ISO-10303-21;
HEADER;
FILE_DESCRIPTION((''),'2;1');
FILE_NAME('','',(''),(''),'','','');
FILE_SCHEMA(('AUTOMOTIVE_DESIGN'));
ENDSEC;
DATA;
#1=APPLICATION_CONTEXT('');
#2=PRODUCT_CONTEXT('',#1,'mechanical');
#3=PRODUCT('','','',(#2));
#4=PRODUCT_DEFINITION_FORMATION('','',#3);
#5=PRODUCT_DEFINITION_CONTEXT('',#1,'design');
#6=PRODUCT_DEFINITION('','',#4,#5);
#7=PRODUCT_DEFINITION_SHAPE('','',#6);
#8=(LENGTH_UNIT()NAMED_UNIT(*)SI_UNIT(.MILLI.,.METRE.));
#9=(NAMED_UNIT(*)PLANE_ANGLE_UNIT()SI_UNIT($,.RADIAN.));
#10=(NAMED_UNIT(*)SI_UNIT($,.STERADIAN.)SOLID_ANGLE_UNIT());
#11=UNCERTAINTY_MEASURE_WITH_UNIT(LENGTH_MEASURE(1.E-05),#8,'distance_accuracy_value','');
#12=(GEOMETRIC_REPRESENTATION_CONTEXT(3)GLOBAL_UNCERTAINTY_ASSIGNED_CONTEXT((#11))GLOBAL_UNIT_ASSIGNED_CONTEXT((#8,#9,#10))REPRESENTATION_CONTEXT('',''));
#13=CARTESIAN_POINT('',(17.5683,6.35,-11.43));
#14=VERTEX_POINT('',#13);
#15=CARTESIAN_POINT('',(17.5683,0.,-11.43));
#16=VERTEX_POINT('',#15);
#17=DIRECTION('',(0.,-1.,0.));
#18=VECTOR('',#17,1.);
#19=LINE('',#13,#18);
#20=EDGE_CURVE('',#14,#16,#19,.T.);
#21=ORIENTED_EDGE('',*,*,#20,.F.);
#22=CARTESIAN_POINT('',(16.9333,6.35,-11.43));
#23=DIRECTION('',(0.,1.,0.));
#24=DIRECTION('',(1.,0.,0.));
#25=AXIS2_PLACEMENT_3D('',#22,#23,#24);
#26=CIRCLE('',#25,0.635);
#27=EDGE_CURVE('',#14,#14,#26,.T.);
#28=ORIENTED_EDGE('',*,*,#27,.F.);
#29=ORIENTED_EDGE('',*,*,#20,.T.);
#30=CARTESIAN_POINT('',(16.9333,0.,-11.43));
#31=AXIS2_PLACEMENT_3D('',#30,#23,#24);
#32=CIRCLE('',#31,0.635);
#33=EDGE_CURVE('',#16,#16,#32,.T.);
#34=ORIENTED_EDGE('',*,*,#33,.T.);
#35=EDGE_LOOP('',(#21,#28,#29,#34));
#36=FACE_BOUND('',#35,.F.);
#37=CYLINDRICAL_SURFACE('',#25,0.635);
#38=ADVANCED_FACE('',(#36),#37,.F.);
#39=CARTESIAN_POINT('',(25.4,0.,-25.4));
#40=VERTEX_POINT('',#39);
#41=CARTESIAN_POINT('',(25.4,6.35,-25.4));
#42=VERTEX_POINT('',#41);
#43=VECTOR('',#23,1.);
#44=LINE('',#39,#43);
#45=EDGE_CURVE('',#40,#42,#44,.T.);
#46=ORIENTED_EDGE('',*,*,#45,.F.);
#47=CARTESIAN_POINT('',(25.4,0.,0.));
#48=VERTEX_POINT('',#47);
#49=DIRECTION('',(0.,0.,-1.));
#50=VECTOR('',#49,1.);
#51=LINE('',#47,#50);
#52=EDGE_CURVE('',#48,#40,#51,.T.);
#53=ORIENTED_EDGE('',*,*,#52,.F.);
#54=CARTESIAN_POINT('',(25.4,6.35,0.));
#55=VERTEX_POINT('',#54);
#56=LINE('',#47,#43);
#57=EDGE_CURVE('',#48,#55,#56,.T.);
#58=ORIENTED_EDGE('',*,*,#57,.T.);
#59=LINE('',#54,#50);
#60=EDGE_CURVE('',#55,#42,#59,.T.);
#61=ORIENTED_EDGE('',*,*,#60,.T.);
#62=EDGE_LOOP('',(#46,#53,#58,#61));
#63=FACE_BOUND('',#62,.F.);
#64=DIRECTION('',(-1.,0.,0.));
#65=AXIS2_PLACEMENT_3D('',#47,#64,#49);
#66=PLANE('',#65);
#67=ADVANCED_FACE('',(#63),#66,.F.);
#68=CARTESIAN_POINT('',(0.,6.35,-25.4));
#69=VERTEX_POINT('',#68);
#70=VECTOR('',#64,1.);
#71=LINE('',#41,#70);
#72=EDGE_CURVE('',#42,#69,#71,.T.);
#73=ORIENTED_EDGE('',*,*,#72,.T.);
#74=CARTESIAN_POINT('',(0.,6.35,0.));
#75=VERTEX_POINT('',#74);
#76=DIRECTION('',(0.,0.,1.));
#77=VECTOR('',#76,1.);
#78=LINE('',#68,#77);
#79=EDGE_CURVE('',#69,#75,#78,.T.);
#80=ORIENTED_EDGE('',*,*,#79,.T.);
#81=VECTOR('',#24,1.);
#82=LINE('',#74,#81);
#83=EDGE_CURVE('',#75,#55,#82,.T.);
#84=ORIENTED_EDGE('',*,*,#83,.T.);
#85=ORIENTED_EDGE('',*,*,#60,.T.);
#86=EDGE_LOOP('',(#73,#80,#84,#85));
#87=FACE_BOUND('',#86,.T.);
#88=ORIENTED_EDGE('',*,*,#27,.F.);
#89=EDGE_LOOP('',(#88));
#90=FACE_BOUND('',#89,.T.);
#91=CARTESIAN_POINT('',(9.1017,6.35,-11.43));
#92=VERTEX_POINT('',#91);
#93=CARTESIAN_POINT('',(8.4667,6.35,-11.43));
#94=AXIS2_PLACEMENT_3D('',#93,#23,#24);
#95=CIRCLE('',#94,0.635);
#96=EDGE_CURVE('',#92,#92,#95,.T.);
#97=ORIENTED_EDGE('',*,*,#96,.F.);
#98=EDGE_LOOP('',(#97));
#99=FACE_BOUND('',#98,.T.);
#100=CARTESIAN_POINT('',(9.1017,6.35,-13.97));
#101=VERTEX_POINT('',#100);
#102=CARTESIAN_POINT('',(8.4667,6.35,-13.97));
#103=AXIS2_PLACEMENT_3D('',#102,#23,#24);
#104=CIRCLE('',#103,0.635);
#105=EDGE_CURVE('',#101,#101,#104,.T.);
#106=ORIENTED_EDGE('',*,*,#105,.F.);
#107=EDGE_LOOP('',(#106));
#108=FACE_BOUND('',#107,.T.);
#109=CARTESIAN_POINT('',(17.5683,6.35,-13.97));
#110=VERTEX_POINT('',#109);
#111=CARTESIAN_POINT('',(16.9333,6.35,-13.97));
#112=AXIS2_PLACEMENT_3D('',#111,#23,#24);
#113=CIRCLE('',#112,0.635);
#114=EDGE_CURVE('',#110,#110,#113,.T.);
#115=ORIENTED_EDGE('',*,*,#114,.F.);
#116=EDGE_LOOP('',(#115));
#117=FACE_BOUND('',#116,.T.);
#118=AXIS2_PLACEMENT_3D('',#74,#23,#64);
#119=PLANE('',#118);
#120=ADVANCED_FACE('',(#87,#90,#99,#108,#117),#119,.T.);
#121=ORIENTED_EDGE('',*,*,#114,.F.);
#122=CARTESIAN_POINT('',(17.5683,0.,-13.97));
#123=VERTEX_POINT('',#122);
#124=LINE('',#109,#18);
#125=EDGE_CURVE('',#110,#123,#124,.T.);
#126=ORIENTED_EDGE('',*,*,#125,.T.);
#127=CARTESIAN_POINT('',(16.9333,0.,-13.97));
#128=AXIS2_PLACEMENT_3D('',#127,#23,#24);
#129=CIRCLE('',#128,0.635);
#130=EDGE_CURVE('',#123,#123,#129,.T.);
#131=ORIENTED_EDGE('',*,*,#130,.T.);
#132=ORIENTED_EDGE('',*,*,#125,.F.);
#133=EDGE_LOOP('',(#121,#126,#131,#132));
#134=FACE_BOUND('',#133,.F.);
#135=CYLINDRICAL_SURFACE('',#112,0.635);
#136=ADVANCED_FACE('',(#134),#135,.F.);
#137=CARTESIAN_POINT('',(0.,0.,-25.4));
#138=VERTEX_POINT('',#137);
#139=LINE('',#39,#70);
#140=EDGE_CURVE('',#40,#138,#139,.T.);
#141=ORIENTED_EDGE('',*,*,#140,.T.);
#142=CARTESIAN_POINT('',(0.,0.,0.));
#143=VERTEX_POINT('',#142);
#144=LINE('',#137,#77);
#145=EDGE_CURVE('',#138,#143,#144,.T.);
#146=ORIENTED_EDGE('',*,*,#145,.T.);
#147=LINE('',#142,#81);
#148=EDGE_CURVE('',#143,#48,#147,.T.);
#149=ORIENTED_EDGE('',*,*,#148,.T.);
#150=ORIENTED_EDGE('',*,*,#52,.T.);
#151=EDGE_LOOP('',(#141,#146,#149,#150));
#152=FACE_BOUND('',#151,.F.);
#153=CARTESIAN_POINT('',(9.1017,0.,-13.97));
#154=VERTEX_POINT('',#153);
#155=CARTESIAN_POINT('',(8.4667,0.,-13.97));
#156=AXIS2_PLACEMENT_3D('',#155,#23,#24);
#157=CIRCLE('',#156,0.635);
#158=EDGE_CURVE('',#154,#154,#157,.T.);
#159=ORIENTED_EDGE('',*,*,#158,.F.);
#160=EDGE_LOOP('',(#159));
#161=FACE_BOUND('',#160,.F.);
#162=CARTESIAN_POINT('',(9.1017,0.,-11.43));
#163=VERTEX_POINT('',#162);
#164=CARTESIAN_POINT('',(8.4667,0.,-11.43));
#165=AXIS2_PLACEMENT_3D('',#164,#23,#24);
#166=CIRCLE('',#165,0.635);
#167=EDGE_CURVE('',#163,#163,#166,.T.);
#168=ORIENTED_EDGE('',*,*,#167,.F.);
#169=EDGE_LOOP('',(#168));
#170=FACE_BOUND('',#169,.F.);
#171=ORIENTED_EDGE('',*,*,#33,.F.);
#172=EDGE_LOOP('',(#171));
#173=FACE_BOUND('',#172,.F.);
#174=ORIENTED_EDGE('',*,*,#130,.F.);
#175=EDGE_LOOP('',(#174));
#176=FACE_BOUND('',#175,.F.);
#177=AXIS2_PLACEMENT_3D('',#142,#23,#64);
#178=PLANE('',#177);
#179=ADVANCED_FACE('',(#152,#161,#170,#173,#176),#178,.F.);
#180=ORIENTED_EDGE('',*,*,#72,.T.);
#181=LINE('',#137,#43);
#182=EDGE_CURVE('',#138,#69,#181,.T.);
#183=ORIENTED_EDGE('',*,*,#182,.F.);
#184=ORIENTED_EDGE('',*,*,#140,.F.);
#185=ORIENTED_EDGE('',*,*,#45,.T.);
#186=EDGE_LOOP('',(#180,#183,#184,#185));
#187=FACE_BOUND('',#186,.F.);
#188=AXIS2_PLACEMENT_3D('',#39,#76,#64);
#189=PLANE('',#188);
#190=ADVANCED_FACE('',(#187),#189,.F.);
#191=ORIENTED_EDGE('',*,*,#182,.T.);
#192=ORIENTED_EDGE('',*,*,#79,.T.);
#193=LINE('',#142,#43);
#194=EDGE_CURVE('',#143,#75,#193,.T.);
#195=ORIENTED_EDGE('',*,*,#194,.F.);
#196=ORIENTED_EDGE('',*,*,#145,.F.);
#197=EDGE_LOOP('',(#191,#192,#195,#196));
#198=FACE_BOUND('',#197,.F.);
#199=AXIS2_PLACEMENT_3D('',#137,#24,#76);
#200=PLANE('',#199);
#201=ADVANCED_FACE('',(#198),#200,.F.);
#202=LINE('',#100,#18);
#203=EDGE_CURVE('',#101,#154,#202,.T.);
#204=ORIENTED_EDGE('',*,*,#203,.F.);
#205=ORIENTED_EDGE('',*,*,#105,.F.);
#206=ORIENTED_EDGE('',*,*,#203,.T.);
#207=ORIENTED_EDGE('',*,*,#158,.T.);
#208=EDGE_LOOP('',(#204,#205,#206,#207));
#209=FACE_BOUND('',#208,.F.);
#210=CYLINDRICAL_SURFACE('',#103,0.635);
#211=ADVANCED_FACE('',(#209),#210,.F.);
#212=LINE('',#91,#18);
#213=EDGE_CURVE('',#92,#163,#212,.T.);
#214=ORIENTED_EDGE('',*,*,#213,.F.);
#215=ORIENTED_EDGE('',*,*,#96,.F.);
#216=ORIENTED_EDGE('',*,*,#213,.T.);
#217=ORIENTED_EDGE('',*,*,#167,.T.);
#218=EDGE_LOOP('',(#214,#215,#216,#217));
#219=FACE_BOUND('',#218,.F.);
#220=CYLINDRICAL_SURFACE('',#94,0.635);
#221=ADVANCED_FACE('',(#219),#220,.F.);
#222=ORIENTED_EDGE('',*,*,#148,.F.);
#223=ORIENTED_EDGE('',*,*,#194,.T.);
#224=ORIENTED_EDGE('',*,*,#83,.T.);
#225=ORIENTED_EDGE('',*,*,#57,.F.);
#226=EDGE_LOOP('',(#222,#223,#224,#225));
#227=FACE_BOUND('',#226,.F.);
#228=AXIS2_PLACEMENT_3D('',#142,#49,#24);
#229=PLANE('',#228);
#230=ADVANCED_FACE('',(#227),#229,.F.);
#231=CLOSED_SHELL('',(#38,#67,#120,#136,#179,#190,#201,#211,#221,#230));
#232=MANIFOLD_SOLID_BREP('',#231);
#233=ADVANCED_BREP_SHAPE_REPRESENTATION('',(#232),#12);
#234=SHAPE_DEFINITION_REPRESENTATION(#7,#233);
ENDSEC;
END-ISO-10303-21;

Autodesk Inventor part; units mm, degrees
ref_plane "YZ Plane" through (0, 0, 0) normal (1, 0, 0) x (0, 1, 0)
ref_plane "XZ Plane" through (0, 0, 0) normal (0, 1, 0) x (-1, 0, 0)
ref_plane "XY Plane" through (0, 0, 0) normal (0, 0, 1) x (1, 0, 0)
sketch "Sketch1" plane through (0, 0, 0) normal (0, 1, 0) x (-1, 0, 0)
  line L0 (0, 0) -> (-25.4, 0)
  line L1 (-25.4, 0) -> (-25.4, -25.4)
  line L2 (-25.4, -25.4) -> (0, -25.4)
  line L3 (0, -25.4) -> (0, 0)
  dimension "d0" = 25.4
extrude "Extrusion1" add sketch "Sketch1" along normal blind 6.35
sketch "Sketch2" plane through (0, 6.35, 0) normal (0, 1, 0) x (1, 0, 0)
  circle A0 centre (8.4667, 13.97) radius 0.635
  circle A1 centre (16.9333, 13.97) radius 0.635
  circle A2 centre (16.9333, 11.43) radius 0.635
  circle A3 centre (8.4667, 11.43) radius 0.635
  line L0 (25.4, 0) -> (25.4, 25.4) projected
  line L1 (0, 0) -> (25.4, 0) projected
  dimension "d3" = 8.4667
  dimension "d4" = 8.4667
  dimension "d5" = 2.54
  dimension "d6" = 1.27
  dimension "d7" = 11.43
extrude "Extrusion2" cut sketch "Sketch2" against normal blind 6.35
equation "\"d1\" = 0.25 * d0"
equation "\"d3\" = 0.333333 * d0"
equation "\"d4\" = d3"
equation "\"d8\" = 0.25 * d0"
properties part number "pieceBase"
